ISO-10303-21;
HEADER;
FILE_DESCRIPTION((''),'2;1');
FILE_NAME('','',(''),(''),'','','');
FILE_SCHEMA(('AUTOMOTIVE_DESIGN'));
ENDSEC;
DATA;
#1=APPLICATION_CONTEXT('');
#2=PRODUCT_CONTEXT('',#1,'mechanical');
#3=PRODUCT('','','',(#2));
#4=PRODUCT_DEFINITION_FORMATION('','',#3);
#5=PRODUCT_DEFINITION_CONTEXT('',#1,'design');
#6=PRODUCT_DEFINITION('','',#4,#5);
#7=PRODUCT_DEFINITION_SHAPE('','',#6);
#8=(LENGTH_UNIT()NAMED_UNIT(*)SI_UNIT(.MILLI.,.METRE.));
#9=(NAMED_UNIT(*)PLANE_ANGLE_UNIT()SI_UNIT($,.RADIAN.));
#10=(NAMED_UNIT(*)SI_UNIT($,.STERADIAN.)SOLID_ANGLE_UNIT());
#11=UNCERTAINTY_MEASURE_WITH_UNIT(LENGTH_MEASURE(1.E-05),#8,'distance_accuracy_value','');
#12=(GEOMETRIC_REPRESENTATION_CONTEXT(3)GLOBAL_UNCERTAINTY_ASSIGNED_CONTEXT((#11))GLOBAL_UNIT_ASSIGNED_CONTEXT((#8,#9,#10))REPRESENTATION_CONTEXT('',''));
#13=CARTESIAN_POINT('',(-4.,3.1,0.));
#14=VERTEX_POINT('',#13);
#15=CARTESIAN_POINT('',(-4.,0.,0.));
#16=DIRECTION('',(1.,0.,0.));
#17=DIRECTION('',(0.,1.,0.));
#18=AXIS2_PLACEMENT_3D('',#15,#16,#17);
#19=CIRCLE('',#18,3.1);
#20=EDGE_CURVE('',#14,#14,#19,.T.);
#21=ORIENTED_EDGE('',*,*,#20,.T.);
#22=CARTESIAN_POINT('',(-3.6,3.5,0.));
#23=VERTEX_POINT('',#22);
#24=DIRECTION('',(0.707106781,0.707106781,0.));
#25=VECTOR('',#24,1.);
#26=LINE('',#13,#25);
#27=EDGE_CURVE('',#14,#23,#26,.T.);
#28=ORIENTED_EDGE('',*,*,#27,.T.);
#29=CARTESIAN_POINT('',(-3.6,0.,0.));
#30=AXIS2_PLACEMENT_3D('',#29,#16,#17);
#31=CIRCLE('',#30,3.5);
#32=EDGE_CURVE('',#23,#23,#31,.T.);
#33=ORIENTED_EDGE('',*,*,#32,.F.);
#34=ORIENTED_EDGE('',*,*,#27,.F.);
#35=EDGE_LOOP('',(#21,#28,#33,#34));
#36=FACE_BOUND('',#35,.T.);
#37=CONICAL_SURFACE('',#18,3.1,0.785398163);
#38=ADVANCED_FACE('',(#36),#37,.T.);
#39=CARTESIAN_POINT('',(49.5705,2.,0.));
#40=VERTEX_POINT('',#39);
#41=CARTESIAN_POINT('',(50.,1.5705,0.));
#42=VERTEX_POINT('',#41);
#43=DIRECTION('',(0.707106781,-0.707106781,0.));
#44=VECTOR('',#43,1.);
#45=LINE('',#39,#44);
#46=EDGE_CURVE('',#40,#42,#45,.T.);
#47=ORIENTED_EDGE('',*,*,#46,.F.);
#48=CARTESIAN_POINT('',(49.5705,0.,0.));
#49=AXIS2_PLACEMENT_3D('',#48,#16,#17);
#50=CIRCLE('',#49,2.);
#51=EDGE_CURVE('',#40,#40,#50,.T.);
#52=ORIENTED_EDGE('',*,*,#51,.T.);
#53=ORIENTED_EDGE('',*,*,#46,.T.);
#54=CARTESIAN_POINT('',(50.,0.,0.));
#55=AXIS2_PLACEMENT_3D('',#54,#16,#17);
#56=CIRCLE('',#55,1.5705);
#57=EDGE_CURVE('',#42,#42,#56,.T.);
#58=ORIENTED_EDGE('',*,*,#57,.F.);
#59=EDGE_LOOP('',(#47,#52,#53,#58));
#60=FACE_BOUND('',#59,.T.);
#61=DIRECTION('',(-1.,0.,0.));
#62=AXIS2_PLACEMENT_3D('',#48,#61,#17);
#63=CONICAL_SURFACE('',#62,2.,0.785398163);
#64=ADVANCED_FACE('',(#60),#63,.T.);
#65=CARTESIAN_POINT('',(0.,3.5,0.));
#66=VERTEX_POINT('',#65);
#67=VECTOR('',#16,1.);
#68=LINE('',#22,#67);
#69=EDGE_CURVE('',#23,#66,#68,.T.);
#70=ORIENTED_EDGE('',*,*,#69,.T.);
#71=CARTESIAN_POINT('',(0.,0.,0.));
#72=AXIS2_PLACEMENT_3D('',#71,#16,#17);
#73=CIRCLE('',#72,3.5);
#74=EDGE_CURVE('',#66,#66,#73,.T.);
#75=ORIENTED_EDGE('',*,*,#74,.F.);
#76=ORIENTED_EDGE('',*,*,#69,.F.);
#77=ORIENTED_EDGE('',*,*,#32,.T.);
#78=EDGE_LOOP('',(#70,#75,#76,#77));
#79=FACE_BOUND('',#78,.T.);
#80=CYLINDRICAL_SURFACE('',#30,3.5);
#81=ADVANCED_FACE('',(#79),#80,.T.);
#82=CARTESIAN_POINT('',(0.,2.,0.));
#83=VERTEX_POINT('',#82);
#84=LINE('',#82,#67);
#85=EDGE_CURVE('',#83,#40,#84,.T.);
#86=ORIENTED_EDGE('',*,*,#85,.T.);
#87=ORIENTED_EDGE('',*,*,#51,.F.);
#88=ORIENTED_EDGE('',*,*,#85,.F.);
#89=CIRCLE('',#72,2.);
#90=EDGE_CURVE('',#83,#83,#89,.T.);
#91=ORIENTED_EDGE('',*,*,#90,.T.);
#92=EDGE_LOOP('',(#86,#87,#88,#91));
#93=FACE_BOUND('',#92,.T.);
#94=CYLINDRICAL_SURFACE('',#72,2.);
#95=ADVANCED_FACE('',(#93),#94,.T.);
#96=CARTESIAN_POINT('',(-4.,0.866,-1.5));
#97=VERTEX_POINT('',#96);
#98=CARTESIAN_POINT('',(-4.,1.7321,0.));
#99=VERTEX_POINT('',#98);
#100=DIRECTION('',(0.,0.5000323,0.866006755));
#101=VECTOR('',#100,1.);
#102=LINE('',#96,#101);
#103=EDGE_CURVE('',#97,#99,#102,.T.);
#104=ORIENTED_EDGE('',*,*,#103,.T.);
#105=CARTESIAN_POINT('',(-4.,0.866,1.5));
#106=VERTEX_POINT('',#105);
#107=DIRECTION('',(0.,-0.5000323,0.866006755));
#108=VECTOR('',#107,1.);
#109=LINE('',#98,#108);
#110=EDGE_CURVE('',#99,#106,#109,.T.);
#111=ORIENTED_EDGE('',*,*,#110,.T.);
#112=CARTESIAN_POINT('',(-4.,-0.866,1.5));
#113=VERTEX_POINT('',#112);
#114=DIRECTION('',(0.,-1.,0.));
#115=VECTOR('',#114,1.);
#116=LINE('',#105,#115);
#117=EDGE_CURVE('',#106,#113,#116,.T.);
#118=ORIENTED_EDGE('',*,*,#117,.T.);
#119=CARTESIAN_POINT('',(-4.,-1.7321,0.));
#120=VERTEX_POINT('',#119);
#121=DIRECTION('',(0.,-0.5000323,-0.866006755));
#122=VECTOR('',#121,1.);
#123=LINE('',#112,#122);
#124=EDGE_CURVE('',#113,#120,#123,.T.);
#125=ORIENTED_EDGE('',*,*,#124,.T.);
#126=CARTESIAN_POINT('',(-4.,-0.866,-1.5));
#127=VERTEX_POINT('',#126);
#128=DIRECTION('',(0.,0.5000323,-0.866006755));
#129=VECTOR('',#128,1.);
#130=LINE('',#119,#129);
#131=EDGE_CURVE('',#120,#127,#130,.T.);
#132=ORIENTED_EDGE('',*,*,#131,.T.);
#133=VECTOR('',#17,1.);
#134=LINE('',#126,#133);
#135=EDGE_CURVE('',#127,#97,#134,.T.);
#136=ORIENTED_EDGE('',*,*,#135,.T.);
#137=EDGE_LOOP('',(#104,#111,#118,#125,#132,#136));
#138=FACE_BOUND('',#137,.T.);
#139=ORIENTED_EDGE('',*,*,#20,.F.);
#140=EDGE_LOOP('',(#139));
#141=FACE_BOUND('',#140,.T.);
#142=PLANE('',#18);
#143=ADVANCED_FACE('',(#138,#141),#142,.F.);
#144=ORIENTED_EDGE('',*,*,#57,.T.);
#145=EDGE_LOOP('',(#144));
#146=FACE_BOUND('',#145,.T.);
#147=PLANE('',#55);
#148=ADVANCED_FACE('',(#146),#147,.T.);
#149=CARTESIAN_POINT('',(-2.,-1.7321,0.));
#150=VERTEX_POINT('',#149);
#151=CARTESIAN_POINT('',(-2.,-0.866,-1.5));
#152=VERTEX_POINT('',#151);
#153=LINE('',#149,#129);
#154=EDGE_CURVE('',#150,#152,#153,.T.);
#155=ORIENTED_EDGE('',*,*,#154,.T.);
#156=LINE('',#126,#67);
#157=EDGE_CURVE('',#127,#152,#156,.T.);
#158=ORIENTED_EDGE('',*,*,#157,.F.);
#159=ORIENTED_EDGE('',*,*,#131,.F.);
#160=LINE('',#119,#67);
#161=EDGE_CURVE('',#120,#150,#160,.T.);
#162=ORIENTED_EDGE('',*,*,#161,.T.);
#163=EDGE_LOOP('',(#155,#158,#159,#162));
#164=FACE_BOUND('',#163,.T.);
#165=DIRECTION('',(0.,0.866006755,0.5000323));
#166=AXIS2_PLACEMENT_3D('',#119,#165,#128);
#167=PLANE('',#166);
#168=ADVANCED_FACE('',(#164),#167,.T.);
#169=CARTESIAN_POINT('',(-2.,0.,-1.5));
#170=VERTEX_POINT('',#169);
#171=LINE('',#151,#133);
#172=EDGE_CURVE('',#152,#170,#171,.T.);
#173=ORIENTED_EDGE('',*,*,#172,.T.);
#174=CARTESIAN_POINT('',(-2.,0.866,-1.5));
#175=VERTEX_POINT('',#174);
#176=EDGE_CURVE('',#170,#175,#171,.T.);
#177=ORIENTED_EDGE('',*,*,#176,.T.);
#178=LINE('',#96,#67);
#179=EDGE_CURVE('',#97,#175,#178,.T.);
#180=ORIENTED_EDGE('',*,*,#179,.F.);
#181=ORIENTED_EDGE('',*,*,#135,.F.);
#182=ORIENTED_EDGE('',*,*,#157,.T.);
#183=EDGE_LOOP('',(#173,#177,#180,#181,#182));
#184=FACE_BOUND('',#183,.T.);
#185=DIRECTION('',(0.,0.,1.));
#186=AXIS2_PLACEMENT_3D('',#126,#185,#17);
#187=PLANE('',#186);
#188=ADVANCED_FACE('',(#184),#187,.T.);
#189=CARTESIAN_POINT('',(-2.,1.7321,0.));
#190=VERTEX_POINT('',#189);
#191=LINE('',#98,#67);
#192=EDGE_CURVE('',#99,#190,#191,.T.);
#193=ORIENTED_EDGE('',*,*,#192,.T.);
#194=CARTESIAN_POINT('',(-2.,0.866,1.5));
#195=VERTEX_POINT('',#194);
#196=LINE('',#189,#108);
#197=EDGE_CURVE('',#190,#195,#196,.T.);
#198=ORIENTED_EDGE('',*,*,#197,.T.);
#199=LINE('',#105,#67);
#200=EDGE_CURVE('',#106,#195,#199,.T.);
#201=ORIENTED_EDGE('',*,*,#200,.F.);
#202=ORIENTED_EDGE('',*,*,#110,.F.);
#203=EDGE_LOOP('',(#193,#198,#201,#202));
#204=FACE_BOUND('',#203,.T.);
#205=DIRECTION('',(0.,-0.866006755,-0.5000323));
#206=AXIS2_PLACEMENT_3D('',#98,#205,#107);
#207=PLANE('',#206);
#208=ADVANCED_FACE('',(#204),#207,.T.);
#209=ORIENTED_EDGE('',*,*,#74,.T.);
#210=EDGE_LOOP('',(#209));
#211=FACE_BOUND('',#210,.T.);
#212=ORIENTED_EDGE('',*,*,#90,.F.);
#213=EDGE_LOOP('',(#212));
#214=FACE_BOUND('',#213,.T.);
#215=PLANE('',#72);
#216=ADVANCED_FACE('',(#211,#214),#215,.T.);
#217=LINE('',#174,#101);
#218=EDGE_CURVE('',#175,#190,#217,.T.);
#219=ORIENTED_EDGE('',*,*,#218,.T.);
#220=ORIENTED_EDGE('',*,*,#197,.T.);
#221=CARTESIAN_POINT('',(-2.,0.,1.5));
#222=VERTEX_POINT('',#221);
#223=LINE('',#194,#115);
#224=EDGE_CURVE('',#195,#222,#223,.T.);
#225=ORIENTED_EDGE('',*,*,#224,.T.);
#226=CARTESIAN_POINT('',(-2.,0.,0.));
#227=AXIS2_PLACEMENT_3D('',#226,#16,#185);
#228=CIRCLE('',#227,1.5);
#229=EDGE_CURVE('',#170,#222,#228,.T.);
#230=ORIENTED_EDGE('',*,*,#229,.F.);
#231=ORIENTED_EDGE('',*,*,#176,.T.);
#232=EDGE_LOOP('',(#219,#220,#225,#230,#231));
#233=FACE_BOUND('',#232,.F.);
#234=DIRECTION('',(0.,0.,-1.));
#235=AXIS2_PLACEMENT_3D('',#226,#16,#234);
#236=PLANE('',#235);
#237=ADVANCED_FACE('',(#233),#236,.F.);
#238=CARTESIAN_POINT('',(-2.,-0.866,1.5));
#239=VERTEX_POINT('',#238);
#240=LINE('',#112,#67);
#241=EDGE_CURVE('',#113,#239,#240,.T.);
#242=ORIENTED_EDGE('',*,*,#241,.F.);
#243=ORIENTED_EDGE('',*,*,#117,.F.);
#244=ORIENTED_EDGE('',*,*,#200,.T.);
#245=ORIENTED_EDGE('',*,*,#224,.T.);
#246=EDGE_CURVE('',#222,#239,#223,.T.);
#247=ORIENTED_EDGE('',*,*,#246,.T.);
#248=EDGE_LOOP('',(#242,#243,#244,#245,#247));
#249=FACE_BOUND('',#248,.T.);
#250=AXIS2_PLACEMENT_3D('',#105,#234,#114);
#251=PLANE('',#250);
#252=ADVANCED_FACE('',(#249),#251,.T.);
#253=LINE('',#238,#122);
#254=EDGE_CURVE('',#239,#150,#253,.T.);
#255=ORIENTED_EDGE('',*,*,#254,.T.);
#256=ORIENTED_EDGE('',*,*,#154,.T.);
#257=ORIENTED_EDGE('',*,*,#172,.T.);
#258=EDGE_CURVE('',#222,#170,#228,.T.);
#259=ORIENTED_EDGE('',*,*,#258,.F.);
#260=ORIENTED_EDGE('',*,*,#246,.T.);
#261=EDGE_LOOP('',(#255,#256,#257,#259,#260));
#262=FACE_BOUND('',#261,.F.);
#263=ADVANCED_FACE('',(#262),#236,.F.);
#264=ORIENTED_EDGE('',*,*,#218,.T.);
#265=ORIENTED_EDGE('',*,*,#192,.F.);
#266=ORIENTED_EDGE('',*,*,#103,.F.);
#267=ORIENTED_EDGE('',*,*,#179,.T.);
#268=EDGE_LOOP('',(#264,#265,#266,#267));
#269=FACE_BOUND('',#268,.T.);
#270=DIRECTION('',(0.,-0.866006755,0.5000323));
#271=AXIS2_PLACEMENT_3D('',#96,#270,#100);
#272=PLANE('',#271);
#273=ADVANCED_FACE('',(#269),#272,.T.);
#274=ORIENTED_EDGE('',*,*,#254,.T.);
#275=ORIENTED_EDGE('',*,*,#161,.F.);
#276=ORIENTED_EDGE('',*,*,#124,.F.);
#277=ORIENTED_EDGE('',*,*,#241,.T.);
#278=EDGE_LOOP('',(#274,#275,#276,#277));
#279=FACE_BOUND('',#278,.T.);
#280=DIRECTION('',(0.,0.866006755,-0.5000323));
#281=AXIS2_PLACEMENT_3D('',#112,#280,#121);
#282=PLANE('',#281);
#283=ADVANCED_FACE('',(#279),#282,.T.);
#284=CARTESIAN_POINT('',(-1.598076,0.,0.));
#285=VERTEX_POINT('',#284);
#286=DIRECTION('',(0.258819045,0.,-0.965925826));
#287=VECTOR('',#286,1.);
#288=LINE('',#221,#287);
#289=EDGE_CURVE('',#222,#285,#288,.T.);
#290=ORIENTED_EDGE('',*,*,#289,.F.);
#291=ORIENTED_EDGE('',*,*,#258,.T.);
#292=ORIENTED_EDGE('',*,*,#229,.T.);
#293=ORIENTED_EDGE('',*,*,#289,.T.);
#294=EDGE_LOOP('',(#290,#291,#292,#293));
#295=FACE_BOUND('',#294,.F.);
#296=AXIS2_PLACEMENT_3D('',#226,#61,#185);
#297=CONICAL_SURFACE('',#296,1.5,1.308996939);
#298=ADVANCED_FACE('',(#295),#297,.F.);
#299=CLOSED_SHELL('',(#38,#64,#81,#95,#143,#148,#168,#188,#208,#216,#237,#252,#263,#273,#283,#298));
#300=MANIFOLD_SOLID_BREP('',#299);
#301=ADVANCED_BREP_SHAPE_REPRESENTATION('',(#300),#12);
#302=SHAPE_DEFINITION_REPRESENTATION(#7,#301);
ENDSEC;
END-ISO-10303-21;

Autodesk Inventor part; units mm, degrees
sketch "Sketch_2" plane through (0, 0, 0) normal (0, 0, 1) x (1, 0, 0)
  line L0 (50, 0) -> (-4, 0)
  line L1 (-4, 0) -> (-4, 3.1)
  line L2 (-4, 3.1) -> (-3.6, 3.5)
  line L3 (-3.6, 3.5) -> (0, 3.5)
  line L4 (0, 3.5) -> (0, 2)
  line L5 (0, 2) -> (49.5705, 2)
  line L6 (49.5705, 2) -> (50, 1.5705)
  line L7 (50, 1.5705) -> (50, 0)
  line L8 (50, 0) -> (-4, 0)
revolve "Revolution1" add sketch "Sketch_2" angle 360 about axis through (50, 0, 0) along (1, 0, 0)
thread "Thread1" size "M4x0.7" class "6g" standard "ISO Metric profile" length 19.5705
sketch "Sketch2" plane through (-4, 0, 0) normal (-1, 0, 0) x (0, 0, 1)
  point P0 (0, 0)
hole "Hole1" at (-4, 0, 0) direction (1, 0, 0) diameter 3 depth 2 tip angle 150
sketch "Sketch_3" plane through (-4, 0, 0) normal (1, 0, 0) x (0, 0, -1)
  line L0 (-1.5, -0.866) -> (0, -1.7321)
  line L1 (0, -1.7321) -> (1.5, -0.866)
  line L2 (1.5, -0.866) -> (1.5, 0.866)
  line L3 (1.5, 0.866) -> (0, 1.7321)
  line L4 (0, 1.7321) -> (-1.5, 0.866)
  line L5 (-1.5, 0.866) -> (-1.5, -0.866)
extrude "Extrusion1" cut sketch "Sketch_3" along normal blind 2
ref_plane "bolt_to_nut_XY" through (50, 0, 0) normal (1, 0, 0) x (0, 0, -1)
ref_plane "bolt_to_nut_YZ" through (50, 0, 0) normal (0, 0, -1) x (0, 1, 0)
ref_plane "bolt_to_nut_ZX" through (50, 0, 0) normal (0, 1, 0) x (1, 0, 0)
ref_plane "screw1_XY" through (0, 0, 0) normal (1, 0, 0) x (0, 0, -1)
ref_plane "screw1_YZ" through (0, 0, 0) normal (0, 0, -1) x (0, 1, 0)
ref_plane "screw1_ZX" through (0, 0, 0) normal (0, 1, 0) x (1, 0, 0)
properties part number "CB4-50" material "鋼、炭素鋼"
